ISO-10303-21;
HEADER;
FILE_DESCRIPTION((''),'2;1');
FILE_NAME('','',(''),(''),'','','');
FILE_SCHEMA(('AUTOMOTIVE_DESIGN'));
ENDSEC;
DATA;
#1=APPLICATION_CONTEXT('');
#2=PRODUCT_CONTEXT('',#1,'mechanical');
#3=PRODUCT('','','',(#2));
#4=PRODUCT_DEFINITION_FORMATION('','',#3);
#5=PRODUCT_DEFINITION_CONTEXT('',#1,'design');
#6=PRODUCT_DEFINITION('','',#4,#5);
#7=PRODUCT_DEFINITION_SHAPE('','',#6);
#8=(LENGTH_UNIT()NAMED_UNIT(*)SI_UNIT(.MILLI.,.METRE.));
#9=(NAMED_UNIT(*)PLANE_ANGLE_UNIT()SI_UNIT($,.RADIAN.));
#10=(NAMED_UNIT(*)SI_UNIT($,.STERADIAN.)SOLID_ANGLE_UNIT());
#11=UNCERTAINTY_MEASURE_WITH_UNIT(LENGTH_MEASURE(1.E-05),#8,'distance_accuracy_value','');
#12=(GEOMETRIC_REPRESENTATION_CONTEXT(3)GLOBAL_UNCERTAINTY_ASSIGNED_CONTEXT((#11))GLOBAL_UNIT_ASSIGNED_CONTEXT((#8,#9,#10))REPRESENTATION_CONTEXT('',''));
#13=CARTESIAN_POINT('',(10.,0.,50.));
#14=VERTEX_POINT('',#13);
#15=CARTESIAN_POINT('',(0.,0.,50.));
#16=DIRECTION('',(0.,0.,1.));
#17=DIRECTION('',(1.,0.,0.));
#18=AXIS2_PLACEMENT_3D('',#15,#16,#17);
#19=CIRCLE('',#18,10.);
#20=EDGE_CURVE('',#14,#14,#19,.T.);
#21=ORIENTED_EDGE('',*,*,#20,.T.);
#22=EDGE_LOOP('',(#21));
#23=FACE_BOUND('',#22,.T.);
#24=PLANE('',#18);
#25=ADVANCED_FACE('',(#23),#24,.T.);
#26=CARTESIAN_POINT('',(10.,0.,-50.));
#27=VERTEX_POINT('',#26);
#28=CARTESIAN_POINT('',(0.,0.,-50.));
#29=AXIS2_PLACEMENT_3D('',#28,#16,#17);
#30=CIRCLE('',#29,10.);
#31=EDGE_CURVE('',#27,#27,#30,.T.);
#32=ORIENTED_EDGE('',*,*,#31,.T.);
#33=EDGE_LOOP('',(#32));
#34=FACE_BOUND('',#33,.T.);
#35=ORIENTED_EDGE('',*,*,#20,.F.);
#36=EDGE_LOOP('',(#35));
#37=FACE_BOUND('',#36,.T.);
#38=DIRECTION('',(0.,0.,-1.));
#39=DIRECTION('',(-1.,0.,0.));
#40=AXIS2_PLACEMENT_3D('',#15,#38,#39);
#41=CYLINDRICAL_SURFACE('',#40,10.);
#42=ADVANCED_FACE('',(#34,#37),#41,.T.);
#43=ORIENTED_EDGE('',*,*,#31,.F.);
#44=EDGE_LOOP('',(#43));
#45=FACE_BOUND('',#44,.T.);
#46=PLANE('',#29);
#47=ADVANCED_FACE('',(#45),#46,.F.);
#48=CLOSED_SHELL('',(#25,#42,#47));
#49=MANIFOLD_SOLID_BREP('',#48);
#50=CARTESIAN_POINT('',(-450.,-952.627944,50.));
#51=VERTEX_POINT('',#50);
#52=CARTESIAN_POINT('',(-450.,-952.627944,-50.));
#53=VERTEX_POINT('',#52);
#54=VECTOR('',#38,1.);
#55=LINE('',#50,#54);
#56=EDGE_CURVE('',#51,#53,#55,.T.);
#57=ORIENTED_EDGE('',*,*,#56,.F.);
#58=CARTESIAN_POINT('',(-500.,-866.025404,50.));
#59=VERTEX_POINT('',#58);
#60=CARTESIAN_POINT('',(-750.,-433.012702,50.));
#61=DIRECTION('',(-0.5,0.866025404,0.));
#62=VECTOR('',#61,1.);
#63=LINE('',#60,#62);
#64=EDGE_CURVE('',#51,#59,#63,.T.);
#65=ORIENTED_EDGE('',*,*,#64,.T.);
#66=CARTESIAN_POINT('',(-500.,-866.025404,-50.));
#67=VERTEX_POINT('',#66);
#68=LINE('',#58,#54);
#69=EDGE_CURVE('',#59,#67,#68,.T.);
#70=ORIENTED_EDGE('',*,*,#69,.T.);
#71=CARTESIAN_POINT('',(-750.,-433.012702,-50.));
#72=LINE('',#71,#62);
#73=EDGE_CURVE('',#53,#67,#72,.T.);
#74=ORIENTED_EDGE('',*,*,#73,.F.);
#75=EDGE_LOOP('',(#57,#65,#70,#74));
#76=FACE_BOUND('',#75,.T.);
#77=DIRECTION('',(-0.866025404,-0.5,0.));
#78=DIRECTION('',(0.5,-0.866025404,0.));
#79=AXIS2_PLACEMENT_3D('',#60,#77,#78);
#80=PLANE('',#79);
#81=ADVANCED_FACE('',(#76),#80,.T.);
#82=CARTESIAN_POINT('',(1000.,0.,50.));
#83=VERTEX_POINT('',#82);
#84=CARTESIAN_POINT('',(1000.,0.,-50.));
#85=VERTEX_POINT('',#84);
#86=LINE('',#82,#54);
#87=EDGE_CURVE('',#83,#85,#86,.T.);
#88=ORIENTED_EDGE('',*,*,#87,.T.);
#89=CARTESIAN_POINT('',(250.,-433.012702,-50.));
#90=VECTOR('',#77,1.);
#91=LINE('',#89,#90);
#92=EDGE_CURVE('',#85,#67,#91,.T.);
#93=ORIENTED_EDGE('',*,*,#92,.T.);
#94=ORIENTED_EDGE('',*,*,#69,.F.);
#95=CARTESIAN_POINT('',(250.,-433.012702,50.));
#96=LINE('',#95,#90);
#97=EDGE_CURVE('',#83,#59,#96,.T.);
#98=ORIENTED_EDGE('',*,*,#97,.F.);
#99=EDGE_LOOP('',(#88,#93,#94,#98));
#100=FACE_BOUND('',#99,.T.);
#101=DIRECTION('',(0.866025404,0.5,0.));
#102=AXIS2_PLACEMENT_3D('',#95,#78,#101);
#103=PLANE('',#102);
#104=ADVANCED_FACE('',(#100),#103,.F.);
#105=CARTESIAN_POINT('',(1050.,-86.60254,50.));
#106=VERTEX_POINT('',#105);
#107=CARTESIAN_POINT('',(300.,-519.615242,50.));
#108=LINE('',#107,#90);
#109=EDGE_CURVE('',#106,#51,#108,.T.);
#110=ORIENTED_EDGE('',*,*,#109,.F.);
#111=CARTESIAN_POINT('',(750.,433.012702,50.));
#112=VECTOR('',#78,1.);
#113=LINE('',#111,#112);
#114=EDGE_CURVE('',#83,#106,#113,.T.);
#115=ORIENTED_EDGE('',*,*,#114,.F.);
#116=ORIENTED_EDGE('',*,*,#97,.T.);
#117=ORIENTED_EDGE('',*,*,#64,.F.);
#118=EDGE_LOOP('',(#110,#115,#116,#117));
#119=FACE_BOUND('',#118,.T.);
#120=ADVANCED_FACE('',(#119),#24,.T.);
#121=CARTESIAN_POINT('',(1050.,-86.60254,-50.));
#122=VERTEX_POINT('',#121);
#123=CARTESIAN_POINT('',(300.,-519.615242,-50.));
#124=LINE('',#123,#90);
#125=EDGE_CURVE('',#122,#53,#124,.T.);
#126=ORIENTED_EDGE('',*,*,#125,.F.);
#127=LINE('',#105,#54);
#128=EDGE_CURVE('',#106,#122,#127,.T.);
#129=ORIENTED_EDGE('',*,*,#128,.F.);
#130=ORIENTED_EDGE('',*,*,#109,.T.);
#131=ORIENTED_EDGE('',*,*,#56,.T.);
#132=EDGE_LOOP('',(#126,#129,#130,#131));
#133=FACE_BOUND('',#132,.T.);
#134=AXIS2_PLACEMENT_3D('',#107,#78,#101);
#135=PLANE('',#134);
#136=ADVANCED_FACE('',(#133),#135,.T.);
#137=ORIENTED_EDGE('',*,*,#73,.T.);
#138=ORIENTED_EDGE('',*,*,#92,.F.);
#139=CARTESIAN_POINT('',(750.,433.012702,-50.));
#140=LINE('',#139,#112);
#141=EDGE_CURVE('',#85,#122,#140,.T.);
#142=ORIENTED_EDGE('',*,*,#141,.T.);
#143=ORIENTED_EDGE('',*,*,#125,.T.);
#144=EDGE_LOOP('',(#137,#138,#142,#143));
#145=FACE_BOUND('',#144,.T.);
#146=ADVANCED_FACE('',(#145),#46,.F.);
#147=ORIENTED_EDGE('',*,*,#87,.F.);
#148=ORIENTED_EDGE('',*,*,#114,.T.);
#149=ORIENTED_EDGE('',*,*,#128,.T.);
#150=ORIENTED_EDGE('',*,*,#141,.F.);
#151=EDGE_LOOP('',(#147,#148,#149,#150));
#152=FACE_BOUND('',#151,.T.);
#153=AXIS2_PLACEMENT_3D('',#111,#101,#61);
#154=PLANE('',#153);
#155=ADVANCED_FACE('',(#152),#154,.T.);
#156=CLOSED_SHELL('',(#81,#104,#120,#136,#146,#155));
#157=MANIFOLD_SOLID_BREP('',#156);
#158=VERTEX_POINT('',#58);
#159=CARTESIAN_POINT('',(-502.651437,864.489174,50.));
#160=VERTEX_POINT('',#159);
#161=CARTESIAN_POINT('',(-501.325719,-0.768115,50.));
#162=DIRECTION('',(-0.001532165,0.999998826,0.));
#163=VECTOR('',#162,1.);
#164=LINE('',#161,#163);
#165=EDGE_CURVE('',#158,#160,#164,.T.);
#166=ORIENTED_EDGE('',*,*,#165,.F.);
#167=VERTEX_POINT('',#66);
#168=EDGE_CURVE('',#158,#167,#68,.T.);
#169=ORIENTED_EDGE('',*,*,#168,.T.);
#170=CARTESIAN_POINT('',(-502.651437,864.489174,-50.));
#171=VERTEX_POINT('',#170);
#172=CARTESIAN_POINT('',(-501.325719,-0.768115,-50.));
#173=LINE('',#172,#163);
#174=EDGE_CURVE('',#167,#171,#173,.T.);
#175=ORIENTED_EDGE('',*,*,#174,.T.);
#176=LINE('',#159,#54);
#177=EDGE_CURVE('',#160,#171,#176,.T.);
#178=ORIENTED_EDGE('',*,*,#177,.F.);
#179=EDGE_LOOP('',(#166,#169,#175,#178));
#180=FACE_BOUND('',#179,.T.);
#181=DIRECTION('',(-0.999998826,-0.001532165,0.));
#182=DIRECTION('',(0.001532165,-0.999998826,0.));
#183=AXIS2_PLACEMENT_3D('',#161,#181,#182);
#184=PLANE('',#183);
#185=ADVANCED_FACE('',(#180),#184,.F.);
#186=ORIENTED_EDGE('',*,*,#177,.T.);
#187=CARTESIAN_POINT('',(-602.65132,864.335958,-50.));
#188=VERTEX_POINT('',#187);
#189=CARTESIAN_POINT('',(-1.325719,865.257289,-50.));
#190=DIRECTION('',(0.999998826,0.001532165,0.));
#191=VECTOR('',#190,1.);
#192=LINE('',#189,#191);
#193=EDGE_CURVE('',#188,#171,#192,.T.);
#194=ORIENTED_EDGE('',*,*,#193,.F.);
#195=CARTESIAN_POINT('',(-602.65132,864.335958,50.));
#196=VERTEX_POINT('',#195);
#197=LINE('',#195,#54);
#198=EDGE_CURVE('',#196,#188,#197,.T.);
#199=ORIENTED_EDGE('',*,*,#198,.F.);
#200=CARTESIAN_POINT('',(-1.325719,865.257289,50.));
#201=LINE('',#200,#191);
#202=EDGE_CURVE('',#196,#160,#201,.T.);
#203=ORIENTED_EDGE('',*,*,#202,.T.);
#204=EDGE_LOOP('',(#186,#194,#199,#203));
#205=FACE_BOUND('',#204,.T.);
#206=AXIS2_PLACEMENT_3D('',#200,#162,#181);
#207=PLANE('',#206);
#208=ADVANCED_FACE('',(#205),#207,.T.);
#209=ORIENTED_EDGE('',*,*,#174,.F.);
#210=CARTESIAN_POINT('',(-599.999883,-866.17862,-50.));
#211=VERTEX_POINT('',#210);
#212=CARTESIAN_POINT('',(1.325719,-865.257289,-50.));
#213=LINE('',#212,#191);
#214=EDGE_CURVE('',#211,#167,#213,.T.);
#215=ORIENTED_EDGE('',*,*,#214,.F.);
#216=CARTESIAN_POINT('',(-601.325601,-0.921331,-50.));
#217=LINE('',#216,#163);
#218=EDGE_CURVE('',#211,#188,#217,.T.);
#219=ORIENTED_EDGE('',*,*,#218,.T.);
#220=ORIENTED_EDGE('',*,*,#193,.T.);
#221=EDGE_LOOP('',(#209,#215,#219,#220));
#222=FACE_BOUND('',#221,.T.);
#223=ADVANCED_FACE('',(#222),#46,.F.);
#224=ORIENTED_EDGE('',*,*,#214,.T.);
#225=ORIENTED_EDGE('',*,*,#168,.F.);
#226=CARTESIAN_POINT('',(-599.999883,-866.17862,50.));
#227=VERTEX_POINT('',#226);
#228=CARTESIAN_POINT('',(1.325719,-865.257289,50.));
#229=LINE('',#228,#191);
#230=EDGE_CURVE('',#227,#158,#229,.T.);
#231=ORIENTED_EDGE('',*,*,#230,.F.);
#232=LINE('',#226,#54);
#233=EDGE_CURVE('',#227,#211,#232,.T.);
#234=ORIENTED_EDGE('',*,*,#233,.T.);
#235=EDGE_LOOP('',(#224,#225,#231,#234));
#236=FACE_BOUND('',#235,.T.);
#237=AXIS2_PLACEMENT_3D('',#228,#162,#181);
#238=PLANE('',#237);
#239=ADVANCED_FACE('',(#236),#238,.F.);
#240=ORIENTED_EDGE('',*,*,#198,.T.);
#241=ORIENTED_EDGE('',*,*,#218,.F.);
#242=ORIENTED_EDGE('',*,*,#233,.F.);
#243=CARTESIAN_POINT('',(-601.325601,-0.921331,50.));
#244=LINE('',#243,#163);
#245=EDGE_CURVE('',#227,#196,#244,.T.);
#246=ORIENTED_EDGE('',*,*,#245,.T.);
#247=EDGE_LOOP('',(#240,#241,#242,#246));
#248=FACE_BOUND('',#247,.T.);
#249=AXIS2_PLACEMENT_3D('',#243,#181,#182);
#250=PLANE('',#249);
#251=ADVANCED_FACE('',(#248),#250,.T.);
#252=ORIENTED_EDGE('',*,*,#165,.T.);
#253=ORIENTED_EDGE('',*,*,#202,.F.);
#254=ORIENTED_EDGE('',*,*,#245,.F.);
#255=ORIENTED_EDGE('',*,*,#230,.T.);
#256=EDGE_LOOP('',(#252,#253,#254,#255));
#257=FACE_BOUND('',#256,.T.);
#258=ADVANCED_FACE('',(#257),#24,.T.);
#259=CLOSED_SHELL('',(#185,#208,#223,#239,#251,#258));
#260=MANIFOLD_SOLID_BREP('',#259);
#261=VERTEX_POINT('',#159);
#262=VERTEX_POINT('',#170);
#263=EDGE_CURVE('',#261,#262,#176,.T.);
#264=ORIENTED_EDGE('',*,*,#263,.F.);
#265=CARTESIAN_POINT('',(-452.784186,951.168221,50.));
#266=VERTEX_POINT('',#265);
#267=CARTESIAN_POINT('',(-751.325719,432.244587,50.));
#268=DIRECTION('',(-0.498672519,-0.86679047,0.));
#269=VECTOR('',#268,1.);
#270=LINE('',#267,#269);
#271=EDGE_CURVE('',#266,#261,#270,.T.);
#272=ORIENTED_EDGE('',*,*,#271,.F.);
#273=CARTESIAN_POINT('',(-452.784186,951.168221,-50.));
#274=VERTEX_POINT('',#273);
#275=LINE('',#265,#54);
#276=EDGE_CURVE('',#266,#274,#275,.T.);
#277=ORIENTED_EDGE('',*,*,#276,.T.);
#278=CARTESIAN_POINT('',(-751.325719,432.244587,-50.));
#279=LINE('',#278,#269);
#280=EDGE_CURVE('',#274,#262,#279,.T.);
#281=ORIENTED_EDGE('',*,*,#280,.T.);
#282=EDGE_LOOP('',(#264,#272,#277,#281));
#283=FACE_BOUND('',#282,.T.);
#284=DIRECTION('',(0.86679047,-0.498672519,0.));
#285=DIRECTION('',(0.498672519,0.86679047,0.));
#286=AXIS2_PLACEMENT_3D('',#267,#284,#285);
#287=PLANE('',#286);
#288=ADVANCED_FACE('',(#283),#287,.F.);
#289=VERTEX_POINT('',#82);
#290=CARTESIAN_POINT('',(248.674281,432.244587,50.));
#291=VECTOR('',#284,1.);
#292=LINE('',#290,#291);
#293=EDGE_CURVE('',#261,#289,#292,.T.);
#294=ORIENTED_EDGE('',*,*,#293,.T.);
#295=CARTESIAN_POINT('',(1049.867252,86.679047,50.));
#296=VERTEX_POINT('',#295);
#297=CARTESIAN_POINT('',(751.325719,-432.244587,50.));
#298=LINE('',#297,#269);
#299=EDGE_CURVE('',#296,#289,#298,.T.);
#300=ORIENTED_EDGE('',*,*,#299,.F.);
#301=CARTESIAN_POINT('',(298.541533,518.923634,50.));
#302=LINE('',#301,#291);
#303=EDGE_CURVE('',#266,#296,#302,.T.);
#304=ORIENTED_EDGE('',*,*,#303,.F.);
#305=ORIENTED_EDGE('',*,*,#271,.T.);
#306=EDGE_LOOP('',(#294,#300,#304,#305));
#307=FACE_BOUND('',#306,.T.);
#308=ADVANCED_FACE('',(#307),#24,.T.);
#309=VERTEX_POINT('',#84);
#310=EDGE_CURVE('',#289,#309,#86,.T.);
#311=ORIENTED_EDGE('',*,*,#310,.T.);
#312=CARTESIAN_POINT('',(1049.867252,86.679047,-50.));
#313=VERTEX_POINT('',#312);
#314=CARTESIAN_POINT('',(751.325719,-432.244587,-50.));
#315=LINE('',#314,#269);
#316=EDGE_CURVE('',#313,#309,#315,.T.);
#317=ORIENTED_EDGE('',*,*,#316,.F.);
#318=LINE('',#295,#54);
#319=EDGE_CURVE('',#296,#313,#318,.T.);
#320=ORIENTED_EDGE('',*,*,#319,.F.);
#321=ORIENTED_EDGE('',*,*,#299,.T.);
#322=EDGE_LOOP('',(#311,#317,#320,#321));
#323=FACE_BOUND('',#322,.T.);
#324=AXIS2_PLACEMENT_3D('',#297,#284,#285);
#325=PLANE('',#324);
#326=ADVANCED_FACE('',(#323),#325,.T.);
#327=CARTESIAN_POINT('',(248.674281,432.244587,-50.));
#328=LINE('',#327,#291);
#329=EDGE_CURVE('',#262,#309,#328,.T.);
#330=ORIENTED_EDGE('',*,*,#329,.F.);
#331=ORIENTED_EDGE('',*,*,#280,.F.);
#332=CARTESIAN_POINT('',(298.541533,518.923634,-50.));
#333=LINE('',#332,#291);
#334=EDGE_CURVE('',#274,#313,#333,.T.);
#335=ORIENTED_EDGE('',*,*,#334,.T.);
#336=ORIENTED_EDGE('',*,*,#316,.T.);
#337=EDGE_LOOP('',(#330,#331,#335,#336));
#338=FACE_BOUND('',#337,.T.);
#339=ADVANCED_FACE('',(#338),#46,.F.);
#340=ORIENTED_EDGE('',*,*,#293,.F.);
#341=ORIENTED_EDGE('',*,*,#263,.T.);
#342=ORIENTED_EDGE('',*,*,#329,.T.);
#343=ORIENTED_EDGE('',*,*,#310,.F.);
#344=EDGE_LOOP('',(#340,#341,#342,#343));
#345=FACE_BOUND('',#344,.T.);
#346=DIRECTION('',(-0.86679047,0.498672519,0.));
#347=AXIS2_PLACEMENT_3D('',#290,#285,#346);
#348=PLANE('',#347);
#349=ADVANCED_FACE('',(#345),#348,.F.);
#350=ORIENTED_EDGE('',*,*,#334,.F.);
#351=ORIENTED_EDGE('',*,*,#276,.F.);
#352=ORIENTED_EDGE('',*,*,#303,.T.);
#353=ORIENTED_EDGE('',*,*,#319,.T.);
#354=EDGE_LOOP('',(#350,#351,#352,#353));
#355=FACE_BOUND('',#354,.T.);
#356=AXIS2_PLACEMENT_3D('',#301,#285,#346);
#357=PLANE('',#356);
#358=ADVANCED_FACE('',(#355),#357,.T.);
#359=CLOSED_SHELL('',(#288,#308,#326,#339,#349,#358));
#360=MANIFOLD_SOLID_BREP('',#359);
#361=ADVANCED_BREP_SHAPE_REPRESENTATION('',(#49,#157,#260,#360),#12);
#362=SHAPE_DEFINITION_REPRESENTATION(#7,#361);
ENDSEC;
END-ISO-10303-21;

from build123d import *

# Parameters (mm, degrees)
SKETCH1_R           = 10
BOSS_EXTRUDE1_DEPTH = 50


with BuildPart() as part:
    # Sketch1 → Boss-Extrude1 (new, symmetric)
    with BuildSketch(Plane.XY):
        Polygon((-585.007153272, 557.133458435), (-602.226330597, 586.957948427), (-600.41372537, -596.075731726), (-579.69958337, -560.197785347), (-500.398429433, -605.982327919), (-502.253720562, 604.911175087), align=None)
        Polygon((-502.65143742, 864.489174287), (-602.385941237, 691.131080307), (-602.226330597, 586.957948427), (-585.007153272, 557.133458435), (-502.253720562, 604.911175087), align=None)
        Polygon((-602.651320044, 864.335957761), (-602.385941237, 691.131080307), (-502.65143742, 864.489174287), align=None)
        Polygon((-195.295721569, 782.133458435), (-277.253016301, 734.81539226), (774.99530494, 129.447267809), (774.99530494, 228.064326912), (804.111954534, 228.064326912), (-213.363096355, 813.427069525), align=None)
        Polygon((-302.119031537, 864.489174287), (-502.65143742, 864.489174287), (-277.253016301, 734.81539226), (-195.295721569, 782.133458435), (-213.363096355, 813.427069525), align=None)
        Polygon((-452.784185512, 951.168221277), (-502.65143742, 864.489174287), (-302.119031537, 864.489174287), align=None)
        Polygon((1000, 0), (774.99530494, -129.906521262), (774.99530494, -221.935673088), (815.596138199, -221.935673088), (900, -173.205080757), align=None)
        Polygon((1050, -86.602540378), (1000, 0), (900, -173.205080757), align=None)
        Polygon((774.99530494, 228.064326912), (774.99530494, 129.447267809), (1000, 0), (900.791585986, 172.443646903), (804.111954534, 228.064326912), align=None)
        Polygon((900.791585986, 172.443646903), (1000, 0), (1049.867251908, 86.67904699), align=None)
        Polygon((774.99530494, -129.906521262), (-274.995304939, -736.118882522), (-189.988151667, -785.197785347), (-204.980998395, -811.16615763), (815.596138199, -221.935673088), (774.99530494, -221.935673088), align=None)
        Polygon((-274.995304939, -736.118882522), (-500, -866.025403784), (-300, -866.025403784), (-204.980998395, -811.16615763), (-189.988151667, -785.197785347), align=None)
        Polygon((-300, -866.025403784), (-500, -866.025403784), (-450, -952.627944163), align=None)
        Polygon((-600.41372537, -596.075731726), (-600.266202942, -692.359246007), (-500, -866.025403784), (-500.398429433, -605.982327919), (-579.69958337, -560.197785347), align=None)
        Polygon((-500, -866.025403784), (-600.266202942, -692.359246007), (-599.999882623, -866.17862031), align=None)
        Circle(SKETCH1_R)
    extrude(amount=BOSS_EXTRUDE1_DEPTH, both=True)


solid = part.part
